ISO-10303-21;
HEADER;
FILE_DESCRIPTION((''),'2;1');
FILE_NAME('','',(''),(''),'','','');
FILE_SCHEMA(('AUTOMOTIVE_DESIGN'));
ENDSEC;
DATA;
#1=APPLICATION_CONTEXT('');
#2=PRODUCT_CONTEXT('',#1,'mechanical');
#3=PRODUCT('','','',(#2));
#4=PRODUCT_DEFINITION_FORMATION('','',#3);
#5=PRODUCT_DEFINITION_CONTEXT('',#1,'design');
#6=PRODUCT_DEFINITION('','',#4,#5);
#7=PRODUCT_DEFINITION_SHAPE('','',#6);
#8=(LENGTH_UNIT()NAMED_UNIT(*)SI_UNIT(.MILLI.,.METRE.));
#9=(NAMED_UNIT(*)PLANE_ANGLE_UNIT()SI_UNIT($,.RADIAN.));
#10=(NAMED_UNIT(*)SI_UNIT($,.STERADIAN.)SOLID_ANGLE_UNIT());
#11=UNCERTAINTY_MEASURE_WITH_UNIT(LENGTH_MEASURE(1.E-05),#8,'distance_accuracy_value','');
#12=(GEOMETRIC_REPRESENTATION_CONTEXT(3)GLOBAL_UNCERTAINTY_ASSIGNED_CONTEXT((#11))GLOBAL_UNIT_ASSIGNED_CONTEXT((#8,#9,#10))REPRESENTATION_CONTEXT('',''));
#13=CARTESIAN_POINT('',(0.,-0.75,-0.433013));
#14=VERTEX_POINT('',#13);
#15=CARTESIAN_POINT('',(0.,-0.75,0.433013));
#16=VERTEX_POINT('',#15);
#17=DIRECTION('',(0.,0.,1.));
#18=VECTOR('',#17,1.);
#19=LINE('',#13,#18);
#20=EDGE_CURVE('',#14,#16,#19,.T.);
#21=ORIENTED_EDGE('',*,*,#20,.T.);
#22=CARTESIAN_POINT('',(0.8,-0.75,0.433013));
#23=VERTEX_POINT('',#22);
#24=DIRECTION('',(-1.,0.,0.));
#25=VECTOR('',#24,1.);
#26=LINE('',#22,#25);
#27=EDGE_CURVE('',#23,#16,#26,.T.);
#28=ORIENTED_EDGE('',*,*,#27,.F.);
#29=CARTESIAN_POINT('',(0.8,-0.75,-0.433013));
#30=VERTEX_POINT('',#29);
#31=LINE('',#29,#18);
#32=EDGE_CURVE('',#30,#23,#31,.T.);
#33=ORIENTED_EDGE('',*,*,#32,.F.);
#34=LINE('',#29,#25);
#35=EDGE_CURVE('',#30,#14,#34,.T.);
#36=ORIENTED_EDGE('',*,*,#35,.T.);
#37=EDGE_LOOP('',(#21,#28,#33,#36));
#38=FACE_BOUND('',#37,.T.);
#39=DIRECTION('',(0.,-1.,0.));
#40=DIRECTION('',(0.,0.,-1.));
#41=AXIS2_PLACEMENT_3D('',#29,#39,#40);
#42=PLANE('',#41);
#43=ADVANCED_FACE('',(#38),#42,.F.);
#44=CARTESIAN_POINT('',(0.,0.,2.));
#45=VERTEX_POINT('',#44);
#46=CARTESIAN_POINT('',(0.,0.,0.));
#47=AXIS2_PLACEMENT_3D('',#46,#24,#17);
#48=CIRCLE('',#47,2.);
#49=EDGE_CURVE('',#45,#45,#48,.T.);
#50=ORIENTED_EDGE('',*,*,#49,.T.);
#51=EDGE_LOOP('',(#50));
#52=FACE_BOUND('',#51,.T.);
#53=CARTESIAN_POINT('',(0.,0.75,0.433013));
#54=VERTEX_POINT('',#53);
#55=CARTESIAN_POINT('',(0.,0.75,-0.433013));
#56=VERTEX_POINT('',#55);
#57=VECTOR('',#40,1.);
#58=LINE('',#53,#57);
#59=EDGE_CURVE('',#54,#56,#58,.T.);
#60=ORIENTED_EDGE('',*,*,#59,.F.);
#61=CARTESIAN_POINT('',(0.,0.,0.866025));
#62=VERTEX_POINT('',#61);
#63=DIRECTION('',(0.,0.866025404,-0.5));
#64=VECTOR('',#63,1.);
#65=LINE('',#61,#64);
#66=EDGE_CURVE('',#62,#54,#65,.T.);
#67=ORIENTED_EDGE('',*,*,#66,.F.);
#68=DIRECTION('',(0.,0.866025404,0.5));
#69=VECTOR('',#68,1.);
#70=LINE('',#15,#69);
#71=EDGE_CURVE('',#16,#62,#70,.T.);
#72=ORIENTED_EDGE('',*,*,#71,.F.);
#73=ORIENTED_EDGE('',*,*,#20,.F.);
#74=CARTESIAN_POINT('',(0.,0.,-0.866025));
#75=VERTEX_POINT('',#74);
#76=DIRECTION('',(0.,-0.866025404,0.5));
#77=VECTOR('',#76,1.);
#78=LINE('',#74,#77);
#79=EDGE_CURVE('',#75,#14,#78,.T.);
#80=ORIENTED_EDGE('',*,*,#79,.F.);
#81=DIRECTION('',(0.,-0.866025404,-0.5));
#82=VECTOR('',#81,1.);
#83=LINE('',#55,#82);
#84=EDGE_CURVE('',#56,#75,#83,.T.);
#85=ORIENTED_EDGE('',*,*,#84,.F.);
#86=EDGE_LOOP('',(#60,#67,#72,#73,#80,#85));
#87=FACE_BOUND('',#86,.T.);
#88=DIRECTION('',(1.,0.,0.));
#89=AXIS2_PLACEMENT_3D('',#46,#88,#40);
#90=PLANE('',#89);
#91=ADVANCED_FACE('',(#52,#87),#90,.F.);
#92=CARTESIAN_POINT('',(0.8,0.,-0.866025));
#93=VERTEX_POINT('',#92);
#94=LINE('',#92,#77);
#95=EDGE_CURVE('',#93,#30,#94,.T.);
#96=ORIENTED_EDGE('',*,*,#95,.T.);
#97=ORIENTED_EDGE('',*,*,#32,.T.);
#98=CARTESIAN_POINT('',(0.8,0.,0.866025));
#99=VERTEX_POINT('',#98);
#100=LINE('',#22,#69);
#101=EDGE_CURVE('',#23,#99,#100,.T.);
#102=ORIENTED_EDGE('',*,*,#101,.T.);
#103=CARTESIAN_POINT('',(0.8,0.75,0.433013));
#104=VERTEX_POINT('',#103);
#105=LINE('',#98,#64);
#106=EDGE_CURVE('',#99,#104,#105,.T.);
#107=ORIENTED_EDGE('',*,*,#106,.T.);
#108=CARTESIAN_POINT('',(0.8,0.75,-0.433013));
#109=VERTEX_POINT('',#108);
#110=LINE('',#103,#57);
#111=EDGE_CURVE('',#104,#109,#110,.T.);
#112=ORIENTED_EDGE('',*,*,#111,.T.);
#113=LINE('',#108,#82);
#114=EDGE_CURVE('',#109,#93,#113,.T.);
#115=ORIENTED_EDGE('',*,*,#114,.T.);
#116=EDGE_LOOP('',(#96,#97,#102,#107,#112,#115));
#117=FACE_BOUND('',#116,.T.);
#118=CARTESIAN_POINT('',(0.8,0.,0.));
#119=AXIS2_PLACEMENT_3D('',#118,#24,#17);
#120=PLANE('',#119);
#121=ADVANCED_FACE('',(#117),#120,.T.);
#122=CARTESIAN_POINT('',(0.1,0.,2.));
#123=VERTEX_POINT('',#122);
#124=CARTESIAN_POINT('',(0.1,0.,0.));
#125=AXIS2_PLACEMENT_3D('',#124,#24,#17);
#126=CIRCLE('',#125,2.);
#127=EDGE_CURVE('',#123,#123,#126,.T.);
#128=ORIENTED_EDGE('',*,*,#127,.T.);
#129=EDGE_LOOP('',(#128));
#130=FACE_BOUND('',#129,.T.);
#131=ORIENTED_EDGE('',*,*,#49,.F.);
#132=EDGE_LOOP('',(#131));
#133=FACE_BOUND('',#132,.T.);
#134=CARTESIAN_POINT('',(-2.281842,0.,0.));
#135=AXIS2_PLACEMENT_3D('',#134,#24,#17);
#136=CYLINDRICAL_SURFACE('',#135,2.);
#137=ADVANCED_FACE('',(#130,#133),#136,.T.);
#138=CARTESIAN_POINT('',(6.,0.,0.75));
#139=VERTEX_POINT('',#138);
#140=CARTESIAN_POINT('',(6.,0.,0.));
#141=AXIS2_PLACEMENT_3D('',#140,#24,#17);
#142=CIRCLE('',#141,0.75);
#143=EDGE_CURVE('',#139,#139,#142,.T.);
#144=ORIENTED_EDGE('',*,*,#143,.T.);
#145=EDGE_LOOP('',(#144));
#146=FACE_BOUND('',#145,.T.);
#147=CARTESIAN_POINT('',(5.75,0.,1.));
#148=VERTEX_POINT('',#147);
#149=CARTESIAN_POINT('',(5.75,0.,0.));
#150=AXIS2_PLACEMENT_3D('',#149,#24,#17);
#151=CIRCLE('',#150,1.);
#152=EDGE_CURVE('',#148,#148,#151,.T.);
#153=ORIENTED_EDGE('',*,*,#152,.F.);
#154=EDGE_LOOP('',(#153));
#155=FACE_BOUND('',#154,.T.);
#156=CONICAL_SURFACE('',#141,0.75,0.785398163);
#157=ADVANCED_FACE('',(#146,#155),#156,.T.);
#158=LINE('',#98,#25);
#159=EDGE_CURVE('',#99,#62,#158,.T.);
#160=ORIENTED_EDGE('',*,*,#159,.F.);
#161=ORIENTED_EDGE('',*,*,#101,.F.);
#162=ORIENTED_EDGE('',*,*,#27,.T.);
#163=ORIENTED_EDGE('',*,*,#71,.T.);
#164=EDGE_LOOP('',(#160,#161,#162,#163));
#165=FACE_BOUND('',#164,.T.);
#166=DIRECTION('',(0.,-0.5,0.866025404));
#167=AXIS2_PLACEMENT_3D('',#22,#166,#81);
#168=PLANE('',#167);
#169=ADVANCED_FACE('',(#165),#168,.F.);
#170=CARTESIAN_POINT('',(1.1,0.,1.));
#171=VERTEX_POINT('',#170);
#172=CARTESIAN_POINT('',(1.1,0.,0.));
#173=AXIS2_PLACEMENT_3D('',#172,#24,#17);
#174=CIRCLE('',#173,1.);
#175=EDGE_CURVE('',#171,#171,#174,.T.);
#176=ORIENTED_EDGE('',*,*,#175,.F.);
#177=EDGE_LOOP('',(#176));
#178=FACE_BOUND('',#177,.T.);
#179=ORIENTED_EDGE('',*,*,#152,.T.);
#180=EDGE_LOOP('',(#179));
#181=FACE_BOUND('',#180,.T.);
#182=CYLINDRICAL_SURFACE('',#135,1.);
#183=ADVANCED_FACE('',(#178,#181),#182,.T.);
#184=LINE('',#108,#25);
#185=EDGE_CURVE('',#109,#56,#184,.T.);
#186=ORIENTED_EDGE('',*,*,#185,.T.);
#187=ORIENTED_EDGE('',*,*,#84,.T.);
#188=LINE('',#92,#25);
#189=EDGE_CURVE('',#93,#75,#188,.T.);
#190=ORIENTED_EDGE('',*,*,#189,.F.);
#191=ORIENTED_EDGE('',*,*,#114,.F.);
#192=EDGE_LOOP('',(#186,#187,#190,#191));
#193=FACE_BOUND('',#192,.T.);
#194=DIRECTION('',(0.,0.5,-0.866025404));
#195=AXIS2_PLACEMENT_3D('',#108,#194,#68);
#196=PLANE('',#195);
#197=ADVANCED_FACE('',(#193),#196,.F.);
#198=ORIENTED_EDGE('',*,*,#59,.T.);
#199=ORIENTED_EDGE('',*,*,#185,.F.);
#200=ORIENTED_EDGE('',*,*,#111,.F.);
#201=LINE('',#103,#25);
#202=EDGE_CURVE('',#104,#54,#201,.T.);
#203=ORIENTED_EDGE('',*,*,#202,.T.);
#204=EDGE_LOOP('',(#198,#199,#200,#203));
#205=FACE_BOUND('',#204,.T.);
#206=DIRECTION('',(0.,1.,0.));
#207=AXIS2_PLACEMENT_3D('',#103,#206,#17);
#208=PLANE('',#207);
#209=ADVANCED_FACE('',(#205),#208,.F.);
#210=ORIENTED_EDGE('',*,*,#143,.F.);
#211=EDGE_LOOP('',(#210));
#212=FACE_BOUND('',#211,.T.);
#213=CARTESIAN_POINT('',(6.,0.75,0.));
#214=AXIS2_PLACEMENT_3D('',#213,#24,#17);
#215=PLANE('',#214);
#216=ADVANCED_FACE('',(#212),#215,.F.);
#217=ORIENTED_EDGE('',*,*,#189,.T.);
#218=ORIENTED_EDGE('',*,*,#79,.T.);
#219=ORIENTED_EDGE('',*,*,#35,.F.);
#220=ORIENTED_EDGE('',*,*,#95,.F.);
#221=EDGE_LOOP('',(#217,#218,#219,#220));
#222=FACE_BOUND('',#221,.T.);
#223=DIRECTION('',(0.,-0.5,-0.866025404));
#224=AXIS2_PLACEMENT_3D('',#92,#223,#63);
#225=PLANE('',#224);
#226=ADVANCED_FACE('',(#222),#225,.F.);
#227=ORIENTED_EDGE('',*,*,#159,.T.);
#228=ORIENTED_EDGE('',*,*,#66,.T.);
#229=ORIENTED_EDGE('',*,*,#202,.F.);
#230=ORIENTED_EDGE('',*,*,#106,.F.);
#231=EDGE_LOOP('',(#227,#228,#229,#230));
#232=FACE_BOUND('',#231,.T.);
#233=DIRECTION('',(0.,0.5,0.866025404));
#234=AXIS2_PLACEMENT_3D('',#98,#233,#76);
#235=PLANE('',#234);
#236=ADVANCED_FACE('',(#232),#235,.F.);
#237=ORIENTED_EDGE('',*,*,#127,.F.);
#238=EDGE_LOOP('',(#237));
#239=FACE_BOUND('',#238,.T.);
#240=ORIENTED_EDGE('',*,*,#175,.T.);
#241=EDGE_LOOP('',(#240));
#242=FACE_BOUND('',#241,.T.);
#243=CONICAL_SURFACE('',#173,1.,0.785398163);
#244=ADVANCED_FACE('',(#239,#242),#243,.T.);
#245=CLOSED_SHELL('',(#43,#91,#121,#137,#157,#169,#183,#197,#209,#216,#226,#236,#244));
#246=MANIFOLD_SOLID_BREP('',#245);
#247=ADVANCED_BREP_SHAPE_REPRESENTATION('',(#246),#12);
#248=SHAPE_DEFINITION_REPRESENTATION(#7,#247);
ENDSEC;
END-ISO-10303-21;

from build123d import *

# Parameters (mm, degrees)
CUT_EXTRUDE1_DEPTH = 0.8


with BuildPart() as part:
    # Sketch2 → Revolve1 (revolve)
    with BuildSketch(Plane.XY):
        Polygon((0, 0), (0, 2), (0.1, 2), (1.1, 1), (5.75, 1), (6, 0.75), (6, 0), align=None)
    revolve(axis=Axis((-2.281841559, 0, 0), (1, 0, 0)))

    # Sketch3 → Cut-Extrude1 (cut)
    with BuildSketch(Plane.ZY):
        Polygon((0.433012702, -0.75), (0.866025404, 0), (0.433012702, 0.75), (-0.433012702, 0.75), (-0.866025404, 0), (-0.433012702, -0.75), align=None)
    extrude(amount=-CUT_EXTRUDE1_DEPTH, mode=Mode.SUBTRACT)


solid = part.part
